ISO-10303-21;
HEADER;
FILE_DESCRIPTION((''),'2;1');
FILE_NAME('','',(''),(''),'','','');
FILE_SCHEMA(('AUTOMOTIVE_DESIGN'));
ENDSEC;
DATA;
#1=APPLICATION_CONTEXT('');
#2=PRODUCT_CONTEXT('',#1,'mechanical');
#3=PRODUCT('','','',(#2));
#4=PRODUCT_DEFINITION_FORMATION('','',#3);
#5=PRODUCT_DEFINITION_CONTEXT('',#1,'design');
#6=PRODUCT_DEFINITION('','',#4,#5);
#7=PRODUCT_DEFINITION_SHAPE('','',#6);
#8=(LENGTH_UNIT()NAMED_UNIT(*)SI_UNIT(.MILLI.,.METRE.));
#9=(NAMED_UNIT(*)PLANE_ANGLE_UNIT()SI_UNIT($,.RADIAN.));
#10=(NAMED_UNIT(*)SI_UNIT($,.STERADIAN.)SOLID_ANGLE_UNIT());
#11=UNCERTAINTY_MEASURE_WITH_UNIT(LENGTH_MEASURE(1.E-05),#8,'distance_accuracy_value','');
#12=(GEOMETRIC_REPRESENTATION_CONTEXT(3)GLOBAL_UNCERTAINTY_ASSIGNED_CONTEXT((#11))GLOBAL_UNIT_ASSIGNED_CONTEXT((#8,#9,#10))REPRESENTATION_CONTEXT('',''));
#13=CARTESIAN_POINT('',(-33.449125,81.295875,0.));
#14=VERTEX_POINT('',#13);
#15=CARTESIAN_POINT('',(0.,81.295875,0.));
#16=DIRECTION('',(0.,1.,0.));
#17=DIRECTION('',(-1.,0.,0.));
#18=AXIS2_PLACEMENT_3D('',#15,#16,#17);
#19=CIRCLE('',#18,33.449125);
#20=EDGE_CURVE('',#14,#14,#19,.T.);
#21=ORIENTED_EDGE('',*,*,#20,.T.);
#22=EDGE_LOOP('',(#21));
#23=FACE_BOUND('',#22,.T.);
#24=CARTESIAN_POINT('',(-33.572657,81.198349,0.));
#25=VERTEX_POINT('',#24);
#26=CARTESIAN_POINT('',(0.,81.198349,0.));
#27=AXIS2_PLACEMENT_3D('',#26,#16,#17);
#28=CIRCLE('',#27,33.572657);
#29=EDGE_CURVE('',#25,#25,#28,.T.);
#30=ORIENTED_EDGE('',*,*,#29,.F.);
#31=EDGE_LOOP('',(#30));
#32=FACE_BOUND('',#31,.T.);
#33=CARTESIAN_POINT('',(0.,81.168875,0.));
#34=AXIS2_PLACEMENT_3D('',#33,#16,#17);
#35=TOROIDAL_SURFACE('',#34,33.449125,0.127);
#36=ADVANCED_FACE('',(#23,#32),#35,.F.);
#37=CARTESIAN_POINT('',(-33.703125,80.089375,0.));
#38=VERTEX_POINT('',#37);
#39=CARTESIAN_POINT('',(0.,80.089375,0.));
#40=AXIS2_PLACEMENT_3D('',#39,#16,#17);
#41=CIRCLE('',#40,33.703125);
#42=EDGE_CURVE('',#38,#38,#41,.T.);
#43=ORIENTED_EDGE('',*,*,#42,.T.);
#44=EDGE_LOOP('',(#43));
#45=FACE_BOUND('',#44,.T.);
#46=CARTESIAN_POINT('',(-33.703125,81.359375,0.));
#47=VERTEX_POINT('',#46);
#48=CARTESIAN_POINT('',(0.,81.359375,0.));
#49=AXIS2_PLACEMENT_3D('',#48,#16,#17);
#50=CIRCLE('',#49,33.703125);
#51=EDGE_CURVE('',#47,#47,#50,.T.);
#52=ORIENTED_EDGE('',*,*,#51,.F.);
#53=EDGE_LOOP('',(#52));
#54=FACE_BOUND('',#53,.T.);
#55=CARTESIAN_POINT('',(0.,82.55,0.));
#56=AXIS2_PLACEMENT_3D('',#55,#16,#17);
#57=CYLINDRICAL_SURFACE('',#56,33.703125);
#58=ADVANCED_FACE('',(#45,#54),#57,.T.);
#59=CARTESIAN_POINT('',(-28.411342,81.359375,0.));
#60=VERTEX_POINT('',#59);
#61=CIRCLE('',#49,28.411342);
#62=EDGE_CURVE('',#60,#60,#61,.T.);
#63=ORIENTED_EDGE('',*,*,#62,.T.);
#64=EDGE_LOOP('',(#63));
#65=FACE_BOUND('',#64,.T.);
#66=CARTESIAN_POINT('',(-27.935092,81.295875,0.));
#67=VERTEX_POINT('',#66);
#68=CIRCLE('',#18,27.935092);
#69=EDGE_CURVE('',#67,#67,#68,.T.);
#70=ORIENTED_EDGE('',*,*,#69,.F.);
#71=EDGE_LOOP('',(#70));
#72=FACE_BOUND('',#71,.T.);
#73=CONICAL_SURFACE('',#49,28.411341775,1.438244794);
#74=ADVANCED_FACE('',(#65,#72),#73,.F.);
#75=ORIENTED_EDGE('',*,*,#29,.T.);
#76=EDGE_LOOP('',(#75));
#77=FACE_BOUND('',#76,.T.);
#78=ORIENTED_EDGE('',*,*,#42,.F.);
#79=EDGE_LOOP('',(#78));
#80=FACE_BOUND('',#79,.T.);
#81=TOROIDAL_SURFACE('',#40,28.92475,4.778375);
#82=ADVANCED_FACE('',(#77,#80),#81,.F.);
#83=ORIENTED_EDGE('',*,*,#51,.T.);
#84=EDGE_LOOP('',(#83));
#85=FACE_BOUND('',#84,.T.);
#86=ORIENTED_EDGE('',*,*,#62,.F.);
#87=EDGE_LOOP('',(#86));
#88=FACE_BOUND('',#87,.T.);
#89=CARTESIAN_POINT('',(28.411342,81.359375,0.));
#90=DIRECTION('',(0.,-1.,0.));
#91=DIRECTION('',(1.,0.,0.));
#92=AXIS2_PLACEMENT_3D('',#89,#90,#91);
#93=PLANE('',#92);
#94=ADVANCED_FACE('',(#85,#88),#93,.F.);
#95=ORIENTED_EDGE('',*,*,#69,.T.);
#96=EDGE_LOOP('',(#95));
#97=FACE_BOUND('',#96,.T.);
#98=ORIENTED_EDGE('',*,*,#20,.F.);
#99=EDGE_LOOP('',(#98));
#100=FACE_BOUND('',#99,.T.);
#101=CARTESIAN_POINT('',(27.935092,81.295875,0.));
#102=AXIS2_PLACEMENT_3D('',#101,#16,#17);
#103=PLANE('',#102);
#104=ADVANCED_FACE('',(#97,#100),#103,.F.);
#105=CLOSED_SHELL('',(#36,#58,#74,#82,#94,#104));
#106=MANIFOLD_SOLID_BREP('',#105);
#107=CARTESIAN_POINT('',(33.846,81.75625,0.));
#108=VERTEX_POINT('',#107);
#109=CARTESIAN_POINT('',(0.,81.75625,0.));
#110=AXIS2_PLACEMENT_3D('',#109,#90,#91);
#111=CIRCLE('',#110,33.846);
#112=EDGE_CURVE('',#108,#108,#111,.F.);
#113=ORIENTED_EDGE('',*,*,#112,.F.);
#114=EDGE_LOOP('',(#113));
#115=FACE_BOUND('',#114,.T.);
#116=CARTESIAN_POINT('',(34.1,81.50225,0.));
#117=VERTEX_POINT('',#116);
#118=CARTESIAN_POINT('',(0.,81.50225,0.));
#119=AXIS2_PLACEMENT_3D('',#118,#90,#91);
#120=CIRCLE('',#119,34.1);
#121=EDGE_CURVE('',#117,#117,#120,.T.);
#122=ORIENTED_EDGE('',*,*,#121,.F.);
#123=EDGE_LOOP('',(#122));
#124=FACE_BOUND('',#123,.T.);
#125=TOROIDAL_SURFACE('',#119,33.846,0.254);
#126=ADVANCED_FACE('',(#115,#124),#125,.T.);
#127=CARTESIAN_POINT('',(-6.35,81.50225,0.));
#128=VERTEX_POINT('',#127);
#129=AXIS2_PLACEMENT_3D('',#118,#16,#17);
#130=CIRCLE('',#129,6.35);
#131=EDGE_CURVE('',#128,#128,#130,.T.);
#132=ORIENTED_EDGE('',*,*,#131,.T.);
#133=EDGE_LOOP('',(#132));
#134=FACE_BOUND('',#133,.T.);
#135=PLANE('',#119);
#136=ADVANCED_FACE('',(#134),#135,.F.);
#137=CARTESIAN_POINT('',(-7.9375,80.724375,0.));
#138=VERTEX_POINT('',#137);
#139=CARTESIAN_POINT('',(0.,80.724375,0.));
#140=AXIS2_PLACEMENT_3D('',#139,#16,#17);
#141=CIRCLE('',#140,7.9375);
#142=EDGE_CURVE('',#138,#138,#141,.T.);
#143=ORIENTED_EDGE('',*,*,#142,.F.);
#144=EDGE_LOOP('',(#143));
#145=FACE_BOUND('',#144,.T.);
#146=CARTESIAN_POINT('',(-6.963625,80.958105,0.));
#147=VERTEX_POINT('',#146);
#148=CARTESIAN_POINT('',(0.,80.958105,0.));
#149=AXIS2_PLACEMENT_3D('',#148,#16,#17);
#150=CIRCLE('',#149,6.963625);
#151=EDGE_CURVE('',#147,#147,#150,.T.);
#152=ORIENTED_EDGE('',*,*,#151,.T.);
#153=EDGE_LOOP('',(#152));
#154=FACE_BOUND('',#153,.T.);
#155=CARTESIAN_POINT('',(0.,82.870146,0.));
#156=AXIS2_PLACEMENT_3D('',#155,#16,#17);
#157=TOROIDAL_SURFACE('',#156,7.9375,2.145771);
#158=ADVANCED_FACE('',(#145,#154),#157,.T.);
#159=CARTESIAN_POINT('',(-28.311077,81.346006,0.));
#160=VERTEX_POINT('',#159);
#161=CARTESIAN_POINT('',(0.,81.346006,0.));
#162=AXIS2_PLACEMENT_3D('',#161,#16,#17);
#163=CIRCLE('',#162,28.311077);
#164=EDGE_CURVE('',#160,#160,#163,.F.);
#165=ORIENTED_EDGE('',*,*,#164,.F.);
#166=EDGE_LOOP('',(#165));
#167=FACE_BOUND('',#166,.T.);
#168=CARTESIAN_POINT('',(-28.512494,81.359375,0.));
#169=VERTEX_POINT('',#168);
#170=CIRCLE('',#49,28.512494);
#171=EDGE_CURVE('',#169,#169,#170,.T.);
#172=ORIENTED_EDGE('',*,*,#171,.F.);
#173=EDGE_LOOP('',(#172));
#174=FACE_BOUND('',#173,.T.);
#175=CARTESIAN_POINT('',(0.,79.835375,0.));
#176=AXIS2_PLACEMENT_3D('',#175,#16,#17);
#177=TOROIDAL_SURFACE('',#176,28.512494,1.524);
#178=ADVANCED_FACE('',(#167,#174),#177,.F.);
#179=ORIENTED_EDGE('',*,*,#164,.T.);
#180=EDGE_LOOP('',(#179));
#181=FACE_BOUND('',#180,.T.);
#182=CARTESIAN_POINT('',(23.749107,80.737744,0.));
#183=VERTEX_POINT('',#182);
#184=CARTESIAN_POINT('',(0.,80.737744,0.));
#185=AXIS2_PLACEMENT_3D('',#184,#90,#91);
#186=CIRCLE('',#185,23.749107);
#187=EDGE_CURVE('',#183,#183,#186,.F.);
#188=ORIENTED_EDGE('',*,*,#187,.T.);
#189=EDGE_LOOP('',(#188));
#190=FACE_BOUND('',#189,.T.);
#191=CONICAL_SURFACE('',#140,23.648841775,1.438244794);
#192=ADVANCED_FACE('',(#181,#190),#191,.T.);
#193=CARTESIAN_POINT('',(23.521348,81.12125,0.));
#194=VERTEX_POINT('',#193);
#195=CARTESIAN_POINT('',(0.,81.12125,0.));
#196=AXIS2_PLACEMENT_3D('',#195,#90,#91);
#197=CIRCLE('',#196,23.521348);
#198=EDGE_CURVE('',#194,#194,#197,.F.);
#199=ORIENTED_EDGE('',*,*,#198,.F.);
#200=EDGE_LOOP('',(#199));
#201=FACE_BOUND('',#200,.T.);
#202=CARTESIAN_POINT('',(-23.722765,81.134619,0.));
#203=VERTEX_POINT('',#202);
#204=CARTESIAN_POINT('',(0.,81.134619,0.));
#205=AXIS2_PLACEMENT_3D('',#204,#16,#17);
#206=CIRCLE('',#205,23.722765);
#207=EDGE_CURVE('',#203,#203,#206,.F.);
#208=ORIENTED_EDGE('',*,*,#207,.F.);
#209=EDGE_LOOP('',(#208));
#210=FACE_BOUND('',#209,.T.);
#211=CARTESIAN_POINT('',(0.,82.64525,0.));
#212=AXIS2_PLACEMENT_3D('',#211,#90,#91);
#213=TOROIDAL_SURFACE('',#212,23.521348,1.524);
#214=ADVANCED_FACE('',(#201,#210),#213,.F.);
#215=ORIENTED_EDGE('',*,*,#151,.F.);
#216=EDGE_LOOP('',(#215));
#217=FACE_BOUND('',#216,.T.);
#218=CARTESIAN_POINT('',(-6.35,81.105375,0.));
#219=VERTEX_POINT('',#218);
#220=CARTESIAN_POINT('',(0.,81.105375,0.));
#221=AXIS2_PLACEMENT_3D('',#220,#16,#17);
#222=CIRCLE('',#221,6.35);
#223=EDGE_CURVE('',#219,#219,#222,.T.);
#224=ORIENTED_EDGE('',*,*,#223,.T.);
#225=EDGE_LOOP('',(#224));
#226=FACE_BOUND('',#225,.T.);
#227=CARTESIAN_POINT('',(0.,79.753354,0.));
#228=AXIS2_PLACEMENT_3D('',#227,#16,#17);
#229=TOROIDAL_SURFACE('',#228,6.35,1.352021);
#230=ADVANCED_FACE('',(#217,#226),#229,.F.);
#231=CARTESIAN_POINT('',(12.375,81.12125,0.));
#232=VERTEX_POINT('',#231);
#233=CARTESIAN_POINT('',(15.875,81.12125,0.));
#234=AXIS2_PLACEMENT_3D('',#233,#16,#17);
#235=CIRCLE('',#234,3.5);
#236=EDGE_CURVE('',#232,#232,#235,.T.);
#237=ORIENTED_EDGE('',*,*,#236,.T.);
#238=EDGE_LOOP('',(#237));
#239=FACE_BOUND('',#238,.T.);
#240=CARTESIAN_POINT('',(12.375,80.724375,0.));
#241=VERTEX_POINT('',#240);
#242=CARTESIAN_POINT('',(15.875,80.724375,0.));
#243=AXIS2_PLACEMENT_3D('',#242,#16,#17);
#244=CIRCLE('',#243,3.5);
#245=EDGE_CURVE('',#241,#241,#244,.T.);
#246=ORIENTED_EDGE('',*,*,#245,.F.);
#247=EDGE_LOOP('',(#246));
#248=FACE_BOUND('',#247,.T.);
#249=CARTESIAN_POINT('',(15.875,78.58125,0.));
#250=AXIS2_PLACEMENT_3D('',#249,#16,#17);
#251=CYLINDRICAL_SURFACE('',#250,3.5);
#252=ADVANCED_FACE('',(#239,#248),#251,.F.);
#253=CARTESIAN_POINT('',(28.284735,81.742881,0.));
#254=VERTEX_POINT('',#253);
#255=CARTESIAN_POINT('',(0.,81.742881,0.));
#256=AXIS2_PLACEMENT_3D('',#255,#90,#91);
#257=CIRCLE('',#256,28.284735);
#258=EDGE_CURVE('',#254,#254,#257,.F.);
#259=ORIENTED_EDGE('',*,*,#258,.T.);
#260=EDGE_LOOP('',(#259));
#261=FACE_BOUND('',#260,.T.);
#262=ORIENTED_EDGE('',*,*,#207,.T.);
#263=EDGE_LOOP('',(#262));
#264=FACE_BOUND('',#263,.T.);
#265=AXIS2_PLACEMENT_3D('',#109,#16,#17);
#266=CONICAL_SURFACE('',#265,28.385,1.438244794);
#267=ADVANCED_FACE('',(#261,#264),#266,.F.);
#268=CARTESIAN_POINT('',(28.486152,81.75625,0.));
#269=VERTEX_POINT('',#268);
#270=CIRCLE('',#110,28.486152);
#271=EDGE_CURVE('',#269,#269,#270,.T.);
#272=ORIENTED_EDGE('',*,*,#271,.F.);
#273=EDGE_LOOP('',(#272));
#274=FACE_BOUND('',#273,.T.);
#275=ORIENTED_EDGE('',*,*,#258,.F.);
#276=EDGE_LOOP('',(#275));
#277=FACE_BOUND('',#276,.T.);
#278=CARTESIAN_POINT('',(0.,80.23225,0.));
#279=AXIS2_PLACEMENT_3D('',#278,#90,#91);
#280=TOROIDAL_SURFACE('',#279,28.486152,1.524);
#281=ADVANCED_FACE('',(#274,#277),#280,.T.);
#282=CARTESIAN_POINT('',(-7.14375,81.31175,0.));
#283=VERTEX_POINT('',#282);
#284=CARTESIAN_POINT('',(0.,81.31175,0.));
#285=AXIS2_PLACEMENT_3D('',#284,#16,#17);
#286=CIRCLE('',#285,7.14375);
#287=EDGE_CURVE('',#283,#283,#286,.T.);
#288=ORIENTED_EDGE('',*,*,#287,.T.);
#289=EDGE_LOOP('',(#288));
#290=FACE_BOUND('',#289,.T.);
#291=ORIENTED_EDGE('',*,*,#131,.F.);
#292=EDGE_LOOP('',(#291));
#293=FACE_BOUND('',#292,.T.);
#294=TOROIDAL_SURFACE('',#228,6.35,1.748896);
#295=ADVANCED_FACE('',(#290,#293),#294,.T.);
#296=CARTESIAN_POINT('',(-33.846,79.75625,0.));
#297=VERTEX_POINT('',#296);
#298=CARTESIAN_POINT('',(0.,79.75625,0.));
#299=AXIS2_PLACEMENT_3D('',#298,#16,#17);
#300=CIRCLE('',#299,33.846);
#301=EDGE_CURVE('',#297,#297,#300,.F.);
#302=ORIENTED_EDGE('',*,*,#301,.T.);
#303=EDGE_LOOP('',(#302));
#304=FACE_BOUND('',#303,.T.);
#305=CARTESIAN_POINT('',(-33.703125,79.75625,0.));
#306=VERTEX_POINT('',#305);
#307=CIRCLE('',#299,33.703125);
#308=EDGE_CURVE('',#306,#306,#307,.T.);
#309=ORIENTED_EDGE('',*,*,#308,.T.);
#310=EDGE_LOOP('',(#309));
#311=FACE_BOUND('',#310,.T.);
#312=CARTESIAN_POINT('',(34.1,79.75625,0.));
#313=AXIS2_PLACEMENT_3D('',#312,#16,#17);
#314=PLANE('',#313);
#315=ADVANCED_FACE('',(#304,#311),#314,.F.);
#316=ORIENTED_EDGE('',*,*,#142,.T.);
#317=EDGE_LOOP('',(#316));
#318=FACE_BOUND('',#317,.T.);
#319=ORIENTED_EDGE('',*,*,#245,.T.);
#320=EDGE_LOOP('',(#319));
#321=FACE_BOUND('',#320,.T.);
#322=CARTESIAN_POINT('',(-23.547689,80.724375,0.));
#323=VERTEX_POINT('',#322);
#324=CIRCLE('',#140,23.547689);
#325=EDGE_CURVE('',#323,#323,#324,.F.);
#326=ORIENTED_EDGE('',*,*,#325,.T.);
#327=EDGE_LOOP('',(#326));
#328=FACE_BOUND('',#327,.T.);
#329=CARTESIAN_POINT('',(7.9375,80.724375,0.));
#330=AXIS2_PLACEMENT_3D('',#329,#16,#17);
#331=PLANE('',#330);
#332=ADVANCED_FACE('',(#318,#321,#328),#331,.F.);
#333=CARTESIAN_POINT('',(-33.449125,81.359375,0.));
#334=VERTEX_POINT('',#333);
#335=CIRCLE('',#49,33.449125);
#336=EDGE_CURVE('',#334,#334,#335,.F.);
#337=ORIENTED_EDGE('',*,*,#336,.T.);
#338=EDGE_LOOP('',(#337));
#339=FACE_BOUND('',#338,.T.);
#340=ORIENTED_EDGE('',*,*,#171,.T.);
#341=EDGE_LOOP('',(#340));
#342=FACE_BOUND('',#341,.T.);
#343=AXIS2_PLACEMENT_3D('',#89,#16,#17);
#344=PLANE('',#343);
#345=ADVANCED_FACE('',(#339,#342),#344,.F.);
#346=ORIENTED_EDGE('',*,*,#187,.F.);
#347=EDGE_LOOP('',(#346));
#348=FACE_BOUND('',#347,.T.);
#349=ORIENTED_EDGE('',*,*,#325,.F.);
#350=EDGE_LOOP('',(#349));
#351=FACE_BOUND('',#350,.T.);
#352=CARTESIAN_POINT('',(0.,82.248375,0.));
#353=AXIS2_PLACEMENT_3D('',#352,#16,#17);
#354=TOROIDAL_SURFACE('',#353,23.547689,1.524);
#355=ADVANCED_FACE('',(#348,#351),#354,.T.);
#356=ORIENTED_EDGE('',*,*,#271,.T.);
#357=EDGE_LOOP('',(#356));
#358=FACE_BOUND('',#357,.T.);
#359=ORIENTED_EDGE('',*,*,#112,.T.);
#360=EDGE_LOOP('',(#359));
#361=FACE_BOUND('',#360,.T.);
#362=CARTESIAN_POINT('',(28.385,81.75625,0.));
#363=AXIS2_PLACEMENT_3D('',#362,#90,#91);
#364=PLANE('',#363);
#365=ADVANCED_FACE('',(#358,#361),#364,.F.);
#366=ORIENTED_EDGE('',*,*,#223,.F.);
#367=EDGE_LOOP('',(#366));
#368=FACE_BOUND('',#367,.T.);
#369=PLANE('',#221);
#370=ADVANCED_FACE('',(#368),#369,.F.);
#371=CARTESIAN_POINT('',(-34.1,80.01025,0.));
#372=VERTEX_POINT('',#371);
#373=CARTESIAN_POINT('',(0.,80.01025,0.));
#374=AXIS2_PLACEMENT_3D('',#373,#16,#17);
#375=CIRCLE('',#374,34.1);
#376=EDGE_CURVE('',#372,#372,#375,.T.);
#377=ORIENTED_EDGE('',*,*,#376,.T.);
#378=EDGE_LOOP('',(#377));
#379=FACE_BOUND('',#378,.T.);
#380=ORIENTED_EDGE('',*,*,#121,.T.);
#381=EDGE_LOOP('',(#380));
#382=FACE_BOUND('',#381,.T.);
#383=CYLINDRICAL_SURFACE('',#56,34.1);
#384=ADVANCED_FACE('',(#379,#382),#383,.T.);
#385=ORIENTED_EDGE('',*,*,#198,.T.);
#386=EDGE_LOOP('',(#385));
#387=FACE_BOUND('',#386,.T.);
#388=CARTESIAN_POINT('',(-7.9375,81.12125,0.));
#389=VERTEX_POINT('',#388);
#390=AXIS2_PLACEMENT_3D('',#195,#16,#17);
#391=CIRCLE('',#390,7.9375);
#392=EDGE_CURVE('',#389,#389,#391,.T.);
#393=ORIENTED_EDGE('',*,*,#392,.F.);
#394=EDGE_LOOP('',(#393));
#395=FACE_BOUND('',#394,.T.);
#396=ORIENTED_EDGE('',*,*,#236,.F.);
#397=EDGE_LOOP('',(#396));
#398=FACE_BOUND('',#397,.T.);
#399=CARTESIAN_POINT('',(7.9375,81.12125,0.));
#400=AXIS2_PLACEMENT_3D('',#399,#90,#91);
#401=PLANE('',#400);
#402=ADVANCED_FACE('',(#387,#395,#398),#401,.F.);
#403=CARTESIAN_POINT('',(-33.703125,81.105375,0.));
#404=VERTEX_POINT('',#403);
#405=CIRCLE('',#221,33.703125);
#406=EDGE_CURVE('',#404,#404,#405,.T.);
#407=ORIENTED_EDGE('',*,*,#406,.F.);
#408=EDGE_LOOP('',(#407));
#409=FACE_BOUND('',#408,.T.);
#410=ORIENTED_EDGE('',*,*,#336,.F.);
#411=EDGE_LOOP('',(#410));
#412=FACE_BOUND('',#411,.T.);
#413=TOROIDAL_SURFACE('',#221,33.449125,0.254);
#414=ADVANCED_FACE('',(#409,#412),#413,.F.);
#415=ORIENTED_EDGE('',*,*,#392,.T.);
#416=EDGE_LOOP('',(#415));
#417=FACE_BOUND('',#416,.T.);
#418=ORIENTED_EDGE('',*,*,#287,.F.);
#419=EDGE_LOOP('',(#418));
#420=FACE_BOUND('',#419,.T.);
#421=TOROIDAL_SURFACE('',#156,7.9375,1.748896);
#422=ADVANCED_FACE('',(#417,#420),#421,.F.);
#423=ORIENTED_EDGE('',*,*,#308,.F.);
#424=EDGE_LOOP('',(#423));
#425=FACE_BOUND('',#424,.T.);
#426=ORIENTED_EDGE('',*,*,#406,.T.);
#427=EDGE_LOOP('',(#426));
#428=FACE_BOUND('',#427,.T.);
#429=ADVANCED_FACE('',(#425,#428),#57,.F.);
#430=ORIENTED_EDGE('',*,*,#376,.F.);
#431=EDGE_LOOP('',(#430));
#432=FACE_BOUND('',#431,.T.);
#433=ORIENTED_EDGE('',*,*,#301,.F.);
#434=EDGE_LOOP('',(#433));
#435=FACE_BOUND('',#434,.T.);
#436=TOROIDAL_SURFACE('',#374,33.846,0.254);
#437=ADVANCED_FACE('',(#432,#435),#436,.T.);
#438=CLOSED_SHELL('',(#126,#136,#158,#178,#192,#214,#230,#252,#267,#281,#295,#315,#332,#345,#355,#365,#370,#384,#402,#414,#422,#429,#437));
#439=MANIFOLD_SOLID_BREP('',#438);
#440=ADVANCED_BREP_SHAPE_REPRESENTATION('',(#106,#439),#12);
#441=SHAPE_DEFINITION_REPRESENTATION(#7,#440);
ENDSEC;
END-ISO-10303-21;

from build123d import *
from OCP.BRepFilletAPI import BRepFilletAPI_MakeFillet

# Parameters (mm, degrees)
FILLET16_R1        = 1.524
FILLET16_R2        = 0.254
SKETCH16839_R      = 3.499999985
CUT_EXTRUDE2_DEPTH = 2.54


with BuildPart() as part:
    # Sketch7041 → Revolve5 (revolve)
    with BuildSketch(Plane.XY):
        with BuildLine():
            Line((0, 81.50225), (6.35, 81.50225))
            ThreePointArc((6.35, 81.50225), (6.758144984, 81.453958267), (7.14375, 81.31175))
            ThreePointArc((7.14375, 81.31175), (7.529355016, 81.169541733), (7.9375, 81.12125))
            Line((7.9375, 81.12125), (23.6225, 81.12125))
            Line((23.6225, 81.12125), (28.385, 81.75625))
            Line((28.385, 81.75625), (34.1, 81.75625))
            Line((34.1, 81.75625), (34.1, 79.75625))
            Line((34.1, 79.75625), (33.703125, 79.75625))
            Line((33.703125, 79.75625), (33.703125, 81.359375))
            Line((33.703125, 81.359375), (28.411341775, 81.359375))
            Line((28.411341775, 81.359375), (23.648841775, 80.724375))
            Line((23.648841775, 80.724375), (7.9375, 80.724375))
            ThreePointArc((7.9375, 80.724375), (7.436735125, 80.783625522), (6.963625189, 80.958104955))
            ThreePointArc((6.963625189, 80.958104955), (6.665525094, 81.068042057), (6.35, 81.105375))
            Line((6.35, 81.105375), (0, 81.105375))
            Line((0, 81.105375), (0, 81.50225))
        make_face()
    revolve(axis=Axis((0, 82.55, 0), (0, -1, 0)))

    # Fillet16: one fillet with a radius per group of edges: ONE call of the kernel's fillet builder (fillet() takes one radius for all edges)
    fillet16_edges_1 = [part.edges().sort_by_distance(p)[0] for p in [
        (-23.6225, 81.12125, 0),
        (-28.385, 81.75625, 0),
        (-23.648841775, 80.724375, 0),
        (-28.411341775, 81.359375, 0),
    ]]
    fillet16_edges_2 = [part.edges().sort_by_distance(p)[0] for p in [
        (-34.1, 81.75625, 0),
        (-33.703125, 81.359375, 0),
        (-34.1, 79.75625, 0),
    ]]
    fillet16 = BRepFilletAPI_MakeFillet(part.part.solid().wrapped)
    for e in fillet16_edges_1:
        fillet16.Add(FILLET16_R1, e.wrapped)
    for e in fillet16_edges_2:
        fillet16.Add(FILLET16_R2, e.wrapped)
    add(Compound.cast(fillet16.Shape()), mode=Mode.REPLACE)

    # Sketch16839 → Cut-Extrude2 (cut)
    with BuildSketch(Plane(origin=(0, 81.12125, 0), x_dir=(1, 0, 0), z_dir=(0, 1, 0))):
        with Locations((15.875, 0)):
            Circle(SKETCH16839_R)
    extrude(amount=-CUT_EXTRUDE2_DEPTH, mode=Mode.SUBTRACT)


with BuildPart() as body_2:
    # Sketch7042 → Revolve6 (revolve)
    with BuildSketch(Plane.XY):
        with BuildLine():
            Line((27.935091775, 81.295875), (33.449125, 81.295875))
            ThreePointArc((33.449125, 81.295875), (33.527819825, 81.268555111), (33.572657423, 81.198349403))
            ThreePointArc((33.572657423, 81.198349403), (33.670396019, 80.647686296), (33.703125, 80.089375))
            Line((33.703125, 80.089375), (33.703125, 81.359375))
            Line((33.703125, 81.359375), (28.411341775, 81.359375))
            Line((28.411341775, 81.359375), (27.935091775, 81.295875))
        make_face()
    revolve(axis=Axis((0, 82.55, 0), (0, -1, 0)))


solid = Compound([part.part, body_2.part])
